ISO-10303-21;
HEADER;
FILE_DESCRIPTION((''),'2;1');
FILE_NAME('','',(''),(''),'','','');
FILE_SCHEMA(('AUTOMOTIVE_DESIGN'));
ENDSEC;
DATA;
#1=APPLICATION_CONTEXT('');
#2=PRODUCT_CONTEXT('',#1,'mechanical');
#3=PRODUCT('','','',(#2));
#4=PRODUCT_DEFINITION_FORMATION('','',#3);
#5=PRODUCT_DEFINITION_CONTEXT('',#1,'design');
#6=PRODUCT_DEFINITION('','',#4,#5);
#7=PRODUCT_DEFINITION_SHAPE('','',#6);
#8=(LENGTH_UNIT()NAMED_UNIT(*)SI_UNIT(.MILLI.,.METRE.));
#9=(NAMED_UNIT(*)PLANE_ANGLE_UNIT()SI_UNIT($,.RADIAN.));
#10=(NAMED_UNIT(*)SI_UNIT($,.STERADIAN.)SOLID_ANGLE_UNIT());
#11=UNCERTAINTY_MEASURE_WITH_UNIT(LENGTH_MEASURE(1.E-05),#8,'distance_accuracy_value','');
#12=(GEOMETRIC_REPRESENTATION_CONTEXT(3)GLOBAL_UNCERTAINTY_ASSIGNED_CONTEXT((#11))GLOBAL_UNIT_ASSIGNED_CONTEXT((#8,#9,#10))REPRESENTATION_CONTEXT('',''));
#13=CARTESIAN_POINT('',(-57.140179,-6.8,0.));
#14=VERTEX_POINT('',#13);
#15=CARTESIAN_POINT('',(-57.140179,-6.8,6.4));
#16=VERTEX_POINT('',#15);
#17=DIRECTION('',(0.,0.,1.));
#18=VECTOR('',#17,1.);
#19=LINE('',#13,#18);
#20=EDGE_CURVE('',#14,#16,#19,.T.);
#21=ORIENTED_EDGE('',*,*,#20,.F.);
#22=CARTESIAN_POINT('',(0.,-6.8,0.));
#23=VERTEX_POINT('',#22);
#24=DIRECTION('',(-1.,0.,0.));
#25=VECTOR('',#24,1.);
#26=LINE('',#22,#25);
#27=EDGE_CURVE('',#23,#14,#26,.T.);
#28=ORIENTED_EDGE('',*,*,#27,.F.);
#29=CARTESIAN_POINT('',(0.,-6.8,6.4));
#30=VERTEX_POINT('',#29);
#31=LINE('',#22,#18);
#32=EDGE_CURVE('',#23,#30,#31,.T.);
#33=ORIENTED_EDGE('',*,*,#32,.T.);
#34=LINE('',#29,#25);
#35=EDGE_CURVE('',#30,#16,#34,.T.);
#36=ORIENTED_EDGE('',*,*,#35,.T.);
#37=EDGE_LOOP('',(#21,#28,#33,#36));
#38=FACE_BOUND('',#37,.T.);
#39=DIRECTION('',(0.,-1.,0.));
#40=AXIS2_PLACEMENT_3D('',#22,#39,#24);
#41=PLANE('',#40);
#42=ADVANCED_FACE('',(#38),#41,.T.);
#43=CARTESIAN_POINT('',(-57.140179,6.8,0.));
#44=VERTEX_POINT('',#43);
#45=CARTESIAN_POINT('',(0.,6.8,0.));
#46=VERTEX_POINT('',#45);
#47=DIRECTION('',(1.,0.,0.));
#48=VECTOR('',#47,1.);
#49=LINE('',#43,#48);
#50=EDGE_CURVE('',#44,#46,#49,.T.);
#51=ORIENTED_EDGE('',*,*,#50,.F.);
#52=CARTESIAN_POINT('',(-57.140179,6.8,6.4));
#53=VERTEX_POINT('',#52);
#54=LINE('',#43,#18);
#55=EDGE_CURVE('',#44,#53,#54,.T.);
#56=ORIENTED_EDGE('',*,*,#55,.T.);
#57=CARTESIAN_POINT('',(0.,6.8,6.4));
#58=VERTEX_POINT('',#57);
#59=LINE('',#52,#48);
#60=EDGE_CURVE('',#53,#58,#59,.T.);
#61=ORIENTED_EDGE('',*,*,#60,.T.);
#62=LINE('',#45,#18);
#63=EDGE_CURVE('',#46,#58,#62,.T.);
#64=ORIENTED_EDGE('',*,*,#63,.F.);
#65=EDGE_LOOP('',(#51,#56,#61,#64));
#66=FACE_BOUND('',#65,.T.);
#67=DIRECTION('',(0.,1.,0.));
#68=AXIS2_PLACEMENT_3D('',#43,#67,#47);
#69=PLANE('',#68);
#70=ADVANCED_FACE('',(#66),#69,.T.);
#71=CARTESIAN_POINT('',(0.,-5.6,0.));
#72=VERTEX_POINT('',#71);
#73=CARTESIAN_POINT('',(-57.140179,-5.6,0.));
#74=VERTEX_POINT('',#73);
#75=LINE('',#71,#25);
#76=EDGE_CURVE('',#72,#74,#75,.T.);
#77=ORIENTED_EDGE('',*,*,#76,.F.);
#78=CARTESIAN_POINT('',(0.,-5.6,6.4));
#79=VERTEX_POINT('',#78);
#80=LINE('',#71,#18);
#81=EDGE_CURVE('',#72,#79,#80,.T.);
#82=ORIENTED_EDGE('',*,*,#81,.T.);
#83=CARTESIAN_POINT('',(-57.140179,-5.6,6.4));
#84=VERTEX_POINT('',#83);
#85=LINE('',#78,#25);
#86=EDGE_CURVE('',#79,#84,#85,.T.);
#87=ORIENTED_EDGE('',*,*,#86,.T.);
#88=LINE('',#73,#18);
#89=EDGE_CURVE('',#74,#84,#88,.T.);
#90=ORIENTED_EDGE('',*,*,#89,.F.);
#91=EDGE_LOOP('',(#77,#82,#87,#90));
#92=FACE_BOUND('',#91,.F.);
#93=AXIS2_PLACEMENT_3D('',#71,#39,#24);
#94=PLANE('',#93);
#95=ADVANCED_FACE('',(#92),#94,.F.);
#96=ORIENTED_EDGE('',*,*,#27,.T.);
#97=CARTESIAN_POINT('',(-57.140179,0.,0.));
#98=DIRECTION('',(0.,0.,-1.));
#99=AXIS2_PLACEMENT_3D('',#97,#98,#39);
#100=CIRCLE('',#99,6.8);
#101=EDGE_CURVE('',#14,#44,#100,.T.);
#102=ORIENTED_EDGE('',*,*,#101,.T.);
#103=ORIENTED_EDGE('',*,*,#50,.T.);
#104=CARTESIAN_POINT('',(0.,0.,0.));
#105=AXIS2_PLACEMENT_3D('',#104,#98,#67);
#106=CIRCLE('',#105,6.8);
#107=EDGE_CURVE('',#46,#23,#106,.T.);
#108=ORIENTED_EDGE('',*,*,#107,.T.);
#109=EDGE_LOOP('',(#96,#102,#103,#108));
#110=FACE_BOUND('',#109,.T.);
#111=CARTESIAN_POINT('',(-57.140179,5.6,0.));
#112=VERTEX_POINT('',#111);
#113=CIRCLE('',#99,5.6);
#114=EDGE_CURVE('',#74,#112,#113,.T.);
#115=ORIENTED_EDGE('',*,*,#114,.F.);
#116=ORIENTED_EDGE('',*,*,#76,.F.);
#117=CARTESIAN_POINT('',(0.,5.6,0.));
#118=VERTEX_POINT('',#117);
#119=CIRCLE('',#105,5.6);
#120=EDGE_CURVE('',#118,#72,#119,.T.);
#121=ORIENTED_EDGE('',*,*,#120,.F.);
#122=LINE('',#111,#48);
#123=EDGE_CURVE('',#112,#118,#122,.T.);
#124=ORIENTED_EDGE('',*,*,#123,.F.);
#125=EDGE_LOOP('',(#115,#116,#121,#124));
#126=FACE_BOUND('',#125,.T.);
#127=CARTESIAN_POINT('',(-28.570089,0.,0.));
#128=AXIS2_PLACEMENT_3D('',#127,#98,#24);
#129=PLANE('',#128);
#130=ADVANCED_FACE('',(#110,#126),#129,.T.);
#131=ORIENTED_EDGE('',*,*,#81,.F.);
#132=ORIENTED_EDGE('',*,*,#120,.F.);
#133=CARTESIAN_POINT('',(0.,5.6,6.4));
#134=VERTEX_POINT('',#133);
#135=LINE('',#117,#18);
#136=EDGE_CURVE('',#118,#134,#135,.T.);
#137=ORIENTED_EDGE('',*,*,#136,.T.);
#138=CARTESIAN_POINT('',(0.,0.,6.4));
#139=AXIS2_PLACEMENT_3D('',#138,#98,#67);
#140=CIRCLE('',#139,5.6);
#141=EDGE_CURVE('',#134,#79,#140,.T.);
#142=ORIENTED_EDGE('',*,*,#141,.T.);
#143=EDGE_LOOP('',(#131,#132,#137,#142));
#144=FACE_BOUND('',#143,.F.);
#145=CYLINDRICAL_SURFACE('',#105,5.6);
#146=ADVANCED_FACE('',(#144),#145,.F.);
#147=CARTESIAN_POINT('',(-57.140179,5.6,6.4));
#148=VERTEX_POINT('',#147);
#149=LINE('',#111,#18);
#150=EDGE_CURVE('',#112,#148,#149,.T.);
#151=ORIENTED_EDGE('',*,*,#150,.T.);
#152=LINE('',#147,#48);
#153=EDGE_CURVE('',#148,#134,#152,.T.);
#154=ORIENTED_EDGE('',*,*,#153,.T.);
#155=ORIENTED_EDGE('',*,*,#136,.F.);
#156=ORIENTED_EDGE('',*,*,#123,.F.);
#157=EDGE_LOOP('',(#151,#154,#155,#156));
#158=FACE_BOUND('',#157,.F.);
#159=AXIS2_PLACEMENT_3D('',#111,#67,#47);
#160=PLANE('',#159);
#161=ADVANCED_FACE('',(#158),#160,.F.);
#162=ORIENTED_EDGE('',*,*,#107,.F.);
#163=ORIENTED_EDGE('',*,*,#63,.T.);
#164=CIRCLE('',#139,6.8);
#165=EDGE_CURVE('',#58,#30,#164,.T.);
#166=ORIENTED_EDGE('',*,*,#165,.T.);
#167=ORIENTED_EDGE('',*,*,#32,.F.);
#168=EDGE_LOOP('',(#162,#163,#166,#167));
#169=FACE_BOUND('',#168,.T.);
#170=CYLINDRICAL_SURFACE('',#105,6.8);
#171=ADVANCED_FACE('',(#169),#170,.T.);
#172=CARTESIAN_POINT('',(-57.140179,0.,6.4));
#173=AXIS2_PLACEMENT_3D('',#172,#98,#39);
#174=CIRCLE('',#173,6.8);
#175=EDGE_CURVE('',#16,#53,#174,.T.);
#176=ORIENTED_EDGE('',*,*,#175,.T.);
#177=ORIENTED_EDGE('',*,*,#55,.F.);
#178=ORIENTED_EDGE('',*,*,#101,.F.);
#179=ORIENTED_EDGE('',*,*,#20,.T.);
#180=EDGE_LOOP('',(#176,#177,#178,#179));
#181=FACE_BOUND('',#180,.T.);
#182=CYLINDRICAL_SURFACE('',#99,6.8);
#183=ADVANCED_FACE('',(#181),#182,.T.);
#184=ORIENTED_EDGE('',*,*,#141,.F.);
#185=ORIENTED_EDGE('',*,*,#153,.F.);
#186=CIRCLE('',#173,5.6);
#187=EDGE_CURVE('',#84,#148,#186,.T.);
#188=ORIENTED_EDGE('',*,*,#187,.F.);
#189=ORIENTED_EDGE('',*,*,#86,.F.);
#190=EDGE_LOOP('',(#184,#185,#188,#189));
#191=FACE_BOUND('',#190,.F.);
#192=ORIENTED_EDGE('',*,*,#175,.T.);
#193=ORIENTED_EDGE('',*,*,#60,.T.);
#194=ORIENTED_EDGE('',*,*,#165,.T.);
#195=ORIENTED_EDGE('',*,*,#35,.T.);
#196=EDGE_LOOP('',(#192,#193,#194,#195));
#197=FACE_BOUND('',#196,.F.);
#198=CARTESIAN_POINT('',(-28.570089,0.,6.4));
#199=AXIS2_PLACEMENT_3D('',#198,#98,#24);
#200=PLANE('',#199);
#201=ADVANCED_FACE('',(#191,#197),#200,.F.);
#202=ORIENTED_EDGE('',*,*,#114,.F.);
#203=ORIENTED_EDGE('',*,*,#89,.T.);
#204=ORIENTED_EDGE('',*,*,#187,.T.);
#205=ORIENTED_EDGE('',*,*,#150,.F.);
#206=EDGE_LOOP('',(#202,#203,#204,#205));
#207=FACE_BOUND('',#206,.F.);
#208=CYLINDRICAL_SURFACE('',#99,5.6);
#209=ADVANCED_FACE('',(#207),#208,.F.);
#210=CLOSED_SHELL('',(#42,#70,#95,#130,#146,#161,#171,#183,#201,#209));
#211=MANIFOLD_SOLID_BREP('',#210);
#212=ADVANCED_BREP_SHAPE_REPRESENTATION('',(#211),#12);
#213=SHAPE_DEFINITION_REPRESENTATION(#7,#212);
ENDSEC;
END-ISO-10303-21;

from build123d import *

# Parameters (mm, degrees)
ESTRUSIONE_ESTRUSIONE1_DEPTH = 6.4


with BuildPart() as part:
    # Schizzo1 (on Front Plane) → Estrusione-Estrusione1 (new body)
    with BuildSketch(Plane.XY):
        with BuildLine():
            Line((0, -6.8), (-57.140178509, -6.8))
            ThreePointArc((-57.140178509, -6.8), (-63.940178509, 0), (-57.140178509, 6.8))
            Line((-57.140178509, 6.8), (0, 6.8))
            ThreePointArc((0, 6.8), (6.8, 0), (0, -6.8))
        make_face()
        with BuildLine():
            Line((0, -5.6), (-57.140178509, -5.6))
            ThreePointArc((-57.140178509, -5.6), (-62.740178509, 0), (-57.140178509, 5.6))
            Line((-57.140178509, 5.6), (0, 5.6))
            ThreePointArc((0, 5.6), (5.6, 0), (0, -5.6))
        make_face(mode=Mode.SUBTRACT)
    extrude(amount=ESTRUSIONE_ESTRUSIONE1_DEPTH)


solid = part.part
